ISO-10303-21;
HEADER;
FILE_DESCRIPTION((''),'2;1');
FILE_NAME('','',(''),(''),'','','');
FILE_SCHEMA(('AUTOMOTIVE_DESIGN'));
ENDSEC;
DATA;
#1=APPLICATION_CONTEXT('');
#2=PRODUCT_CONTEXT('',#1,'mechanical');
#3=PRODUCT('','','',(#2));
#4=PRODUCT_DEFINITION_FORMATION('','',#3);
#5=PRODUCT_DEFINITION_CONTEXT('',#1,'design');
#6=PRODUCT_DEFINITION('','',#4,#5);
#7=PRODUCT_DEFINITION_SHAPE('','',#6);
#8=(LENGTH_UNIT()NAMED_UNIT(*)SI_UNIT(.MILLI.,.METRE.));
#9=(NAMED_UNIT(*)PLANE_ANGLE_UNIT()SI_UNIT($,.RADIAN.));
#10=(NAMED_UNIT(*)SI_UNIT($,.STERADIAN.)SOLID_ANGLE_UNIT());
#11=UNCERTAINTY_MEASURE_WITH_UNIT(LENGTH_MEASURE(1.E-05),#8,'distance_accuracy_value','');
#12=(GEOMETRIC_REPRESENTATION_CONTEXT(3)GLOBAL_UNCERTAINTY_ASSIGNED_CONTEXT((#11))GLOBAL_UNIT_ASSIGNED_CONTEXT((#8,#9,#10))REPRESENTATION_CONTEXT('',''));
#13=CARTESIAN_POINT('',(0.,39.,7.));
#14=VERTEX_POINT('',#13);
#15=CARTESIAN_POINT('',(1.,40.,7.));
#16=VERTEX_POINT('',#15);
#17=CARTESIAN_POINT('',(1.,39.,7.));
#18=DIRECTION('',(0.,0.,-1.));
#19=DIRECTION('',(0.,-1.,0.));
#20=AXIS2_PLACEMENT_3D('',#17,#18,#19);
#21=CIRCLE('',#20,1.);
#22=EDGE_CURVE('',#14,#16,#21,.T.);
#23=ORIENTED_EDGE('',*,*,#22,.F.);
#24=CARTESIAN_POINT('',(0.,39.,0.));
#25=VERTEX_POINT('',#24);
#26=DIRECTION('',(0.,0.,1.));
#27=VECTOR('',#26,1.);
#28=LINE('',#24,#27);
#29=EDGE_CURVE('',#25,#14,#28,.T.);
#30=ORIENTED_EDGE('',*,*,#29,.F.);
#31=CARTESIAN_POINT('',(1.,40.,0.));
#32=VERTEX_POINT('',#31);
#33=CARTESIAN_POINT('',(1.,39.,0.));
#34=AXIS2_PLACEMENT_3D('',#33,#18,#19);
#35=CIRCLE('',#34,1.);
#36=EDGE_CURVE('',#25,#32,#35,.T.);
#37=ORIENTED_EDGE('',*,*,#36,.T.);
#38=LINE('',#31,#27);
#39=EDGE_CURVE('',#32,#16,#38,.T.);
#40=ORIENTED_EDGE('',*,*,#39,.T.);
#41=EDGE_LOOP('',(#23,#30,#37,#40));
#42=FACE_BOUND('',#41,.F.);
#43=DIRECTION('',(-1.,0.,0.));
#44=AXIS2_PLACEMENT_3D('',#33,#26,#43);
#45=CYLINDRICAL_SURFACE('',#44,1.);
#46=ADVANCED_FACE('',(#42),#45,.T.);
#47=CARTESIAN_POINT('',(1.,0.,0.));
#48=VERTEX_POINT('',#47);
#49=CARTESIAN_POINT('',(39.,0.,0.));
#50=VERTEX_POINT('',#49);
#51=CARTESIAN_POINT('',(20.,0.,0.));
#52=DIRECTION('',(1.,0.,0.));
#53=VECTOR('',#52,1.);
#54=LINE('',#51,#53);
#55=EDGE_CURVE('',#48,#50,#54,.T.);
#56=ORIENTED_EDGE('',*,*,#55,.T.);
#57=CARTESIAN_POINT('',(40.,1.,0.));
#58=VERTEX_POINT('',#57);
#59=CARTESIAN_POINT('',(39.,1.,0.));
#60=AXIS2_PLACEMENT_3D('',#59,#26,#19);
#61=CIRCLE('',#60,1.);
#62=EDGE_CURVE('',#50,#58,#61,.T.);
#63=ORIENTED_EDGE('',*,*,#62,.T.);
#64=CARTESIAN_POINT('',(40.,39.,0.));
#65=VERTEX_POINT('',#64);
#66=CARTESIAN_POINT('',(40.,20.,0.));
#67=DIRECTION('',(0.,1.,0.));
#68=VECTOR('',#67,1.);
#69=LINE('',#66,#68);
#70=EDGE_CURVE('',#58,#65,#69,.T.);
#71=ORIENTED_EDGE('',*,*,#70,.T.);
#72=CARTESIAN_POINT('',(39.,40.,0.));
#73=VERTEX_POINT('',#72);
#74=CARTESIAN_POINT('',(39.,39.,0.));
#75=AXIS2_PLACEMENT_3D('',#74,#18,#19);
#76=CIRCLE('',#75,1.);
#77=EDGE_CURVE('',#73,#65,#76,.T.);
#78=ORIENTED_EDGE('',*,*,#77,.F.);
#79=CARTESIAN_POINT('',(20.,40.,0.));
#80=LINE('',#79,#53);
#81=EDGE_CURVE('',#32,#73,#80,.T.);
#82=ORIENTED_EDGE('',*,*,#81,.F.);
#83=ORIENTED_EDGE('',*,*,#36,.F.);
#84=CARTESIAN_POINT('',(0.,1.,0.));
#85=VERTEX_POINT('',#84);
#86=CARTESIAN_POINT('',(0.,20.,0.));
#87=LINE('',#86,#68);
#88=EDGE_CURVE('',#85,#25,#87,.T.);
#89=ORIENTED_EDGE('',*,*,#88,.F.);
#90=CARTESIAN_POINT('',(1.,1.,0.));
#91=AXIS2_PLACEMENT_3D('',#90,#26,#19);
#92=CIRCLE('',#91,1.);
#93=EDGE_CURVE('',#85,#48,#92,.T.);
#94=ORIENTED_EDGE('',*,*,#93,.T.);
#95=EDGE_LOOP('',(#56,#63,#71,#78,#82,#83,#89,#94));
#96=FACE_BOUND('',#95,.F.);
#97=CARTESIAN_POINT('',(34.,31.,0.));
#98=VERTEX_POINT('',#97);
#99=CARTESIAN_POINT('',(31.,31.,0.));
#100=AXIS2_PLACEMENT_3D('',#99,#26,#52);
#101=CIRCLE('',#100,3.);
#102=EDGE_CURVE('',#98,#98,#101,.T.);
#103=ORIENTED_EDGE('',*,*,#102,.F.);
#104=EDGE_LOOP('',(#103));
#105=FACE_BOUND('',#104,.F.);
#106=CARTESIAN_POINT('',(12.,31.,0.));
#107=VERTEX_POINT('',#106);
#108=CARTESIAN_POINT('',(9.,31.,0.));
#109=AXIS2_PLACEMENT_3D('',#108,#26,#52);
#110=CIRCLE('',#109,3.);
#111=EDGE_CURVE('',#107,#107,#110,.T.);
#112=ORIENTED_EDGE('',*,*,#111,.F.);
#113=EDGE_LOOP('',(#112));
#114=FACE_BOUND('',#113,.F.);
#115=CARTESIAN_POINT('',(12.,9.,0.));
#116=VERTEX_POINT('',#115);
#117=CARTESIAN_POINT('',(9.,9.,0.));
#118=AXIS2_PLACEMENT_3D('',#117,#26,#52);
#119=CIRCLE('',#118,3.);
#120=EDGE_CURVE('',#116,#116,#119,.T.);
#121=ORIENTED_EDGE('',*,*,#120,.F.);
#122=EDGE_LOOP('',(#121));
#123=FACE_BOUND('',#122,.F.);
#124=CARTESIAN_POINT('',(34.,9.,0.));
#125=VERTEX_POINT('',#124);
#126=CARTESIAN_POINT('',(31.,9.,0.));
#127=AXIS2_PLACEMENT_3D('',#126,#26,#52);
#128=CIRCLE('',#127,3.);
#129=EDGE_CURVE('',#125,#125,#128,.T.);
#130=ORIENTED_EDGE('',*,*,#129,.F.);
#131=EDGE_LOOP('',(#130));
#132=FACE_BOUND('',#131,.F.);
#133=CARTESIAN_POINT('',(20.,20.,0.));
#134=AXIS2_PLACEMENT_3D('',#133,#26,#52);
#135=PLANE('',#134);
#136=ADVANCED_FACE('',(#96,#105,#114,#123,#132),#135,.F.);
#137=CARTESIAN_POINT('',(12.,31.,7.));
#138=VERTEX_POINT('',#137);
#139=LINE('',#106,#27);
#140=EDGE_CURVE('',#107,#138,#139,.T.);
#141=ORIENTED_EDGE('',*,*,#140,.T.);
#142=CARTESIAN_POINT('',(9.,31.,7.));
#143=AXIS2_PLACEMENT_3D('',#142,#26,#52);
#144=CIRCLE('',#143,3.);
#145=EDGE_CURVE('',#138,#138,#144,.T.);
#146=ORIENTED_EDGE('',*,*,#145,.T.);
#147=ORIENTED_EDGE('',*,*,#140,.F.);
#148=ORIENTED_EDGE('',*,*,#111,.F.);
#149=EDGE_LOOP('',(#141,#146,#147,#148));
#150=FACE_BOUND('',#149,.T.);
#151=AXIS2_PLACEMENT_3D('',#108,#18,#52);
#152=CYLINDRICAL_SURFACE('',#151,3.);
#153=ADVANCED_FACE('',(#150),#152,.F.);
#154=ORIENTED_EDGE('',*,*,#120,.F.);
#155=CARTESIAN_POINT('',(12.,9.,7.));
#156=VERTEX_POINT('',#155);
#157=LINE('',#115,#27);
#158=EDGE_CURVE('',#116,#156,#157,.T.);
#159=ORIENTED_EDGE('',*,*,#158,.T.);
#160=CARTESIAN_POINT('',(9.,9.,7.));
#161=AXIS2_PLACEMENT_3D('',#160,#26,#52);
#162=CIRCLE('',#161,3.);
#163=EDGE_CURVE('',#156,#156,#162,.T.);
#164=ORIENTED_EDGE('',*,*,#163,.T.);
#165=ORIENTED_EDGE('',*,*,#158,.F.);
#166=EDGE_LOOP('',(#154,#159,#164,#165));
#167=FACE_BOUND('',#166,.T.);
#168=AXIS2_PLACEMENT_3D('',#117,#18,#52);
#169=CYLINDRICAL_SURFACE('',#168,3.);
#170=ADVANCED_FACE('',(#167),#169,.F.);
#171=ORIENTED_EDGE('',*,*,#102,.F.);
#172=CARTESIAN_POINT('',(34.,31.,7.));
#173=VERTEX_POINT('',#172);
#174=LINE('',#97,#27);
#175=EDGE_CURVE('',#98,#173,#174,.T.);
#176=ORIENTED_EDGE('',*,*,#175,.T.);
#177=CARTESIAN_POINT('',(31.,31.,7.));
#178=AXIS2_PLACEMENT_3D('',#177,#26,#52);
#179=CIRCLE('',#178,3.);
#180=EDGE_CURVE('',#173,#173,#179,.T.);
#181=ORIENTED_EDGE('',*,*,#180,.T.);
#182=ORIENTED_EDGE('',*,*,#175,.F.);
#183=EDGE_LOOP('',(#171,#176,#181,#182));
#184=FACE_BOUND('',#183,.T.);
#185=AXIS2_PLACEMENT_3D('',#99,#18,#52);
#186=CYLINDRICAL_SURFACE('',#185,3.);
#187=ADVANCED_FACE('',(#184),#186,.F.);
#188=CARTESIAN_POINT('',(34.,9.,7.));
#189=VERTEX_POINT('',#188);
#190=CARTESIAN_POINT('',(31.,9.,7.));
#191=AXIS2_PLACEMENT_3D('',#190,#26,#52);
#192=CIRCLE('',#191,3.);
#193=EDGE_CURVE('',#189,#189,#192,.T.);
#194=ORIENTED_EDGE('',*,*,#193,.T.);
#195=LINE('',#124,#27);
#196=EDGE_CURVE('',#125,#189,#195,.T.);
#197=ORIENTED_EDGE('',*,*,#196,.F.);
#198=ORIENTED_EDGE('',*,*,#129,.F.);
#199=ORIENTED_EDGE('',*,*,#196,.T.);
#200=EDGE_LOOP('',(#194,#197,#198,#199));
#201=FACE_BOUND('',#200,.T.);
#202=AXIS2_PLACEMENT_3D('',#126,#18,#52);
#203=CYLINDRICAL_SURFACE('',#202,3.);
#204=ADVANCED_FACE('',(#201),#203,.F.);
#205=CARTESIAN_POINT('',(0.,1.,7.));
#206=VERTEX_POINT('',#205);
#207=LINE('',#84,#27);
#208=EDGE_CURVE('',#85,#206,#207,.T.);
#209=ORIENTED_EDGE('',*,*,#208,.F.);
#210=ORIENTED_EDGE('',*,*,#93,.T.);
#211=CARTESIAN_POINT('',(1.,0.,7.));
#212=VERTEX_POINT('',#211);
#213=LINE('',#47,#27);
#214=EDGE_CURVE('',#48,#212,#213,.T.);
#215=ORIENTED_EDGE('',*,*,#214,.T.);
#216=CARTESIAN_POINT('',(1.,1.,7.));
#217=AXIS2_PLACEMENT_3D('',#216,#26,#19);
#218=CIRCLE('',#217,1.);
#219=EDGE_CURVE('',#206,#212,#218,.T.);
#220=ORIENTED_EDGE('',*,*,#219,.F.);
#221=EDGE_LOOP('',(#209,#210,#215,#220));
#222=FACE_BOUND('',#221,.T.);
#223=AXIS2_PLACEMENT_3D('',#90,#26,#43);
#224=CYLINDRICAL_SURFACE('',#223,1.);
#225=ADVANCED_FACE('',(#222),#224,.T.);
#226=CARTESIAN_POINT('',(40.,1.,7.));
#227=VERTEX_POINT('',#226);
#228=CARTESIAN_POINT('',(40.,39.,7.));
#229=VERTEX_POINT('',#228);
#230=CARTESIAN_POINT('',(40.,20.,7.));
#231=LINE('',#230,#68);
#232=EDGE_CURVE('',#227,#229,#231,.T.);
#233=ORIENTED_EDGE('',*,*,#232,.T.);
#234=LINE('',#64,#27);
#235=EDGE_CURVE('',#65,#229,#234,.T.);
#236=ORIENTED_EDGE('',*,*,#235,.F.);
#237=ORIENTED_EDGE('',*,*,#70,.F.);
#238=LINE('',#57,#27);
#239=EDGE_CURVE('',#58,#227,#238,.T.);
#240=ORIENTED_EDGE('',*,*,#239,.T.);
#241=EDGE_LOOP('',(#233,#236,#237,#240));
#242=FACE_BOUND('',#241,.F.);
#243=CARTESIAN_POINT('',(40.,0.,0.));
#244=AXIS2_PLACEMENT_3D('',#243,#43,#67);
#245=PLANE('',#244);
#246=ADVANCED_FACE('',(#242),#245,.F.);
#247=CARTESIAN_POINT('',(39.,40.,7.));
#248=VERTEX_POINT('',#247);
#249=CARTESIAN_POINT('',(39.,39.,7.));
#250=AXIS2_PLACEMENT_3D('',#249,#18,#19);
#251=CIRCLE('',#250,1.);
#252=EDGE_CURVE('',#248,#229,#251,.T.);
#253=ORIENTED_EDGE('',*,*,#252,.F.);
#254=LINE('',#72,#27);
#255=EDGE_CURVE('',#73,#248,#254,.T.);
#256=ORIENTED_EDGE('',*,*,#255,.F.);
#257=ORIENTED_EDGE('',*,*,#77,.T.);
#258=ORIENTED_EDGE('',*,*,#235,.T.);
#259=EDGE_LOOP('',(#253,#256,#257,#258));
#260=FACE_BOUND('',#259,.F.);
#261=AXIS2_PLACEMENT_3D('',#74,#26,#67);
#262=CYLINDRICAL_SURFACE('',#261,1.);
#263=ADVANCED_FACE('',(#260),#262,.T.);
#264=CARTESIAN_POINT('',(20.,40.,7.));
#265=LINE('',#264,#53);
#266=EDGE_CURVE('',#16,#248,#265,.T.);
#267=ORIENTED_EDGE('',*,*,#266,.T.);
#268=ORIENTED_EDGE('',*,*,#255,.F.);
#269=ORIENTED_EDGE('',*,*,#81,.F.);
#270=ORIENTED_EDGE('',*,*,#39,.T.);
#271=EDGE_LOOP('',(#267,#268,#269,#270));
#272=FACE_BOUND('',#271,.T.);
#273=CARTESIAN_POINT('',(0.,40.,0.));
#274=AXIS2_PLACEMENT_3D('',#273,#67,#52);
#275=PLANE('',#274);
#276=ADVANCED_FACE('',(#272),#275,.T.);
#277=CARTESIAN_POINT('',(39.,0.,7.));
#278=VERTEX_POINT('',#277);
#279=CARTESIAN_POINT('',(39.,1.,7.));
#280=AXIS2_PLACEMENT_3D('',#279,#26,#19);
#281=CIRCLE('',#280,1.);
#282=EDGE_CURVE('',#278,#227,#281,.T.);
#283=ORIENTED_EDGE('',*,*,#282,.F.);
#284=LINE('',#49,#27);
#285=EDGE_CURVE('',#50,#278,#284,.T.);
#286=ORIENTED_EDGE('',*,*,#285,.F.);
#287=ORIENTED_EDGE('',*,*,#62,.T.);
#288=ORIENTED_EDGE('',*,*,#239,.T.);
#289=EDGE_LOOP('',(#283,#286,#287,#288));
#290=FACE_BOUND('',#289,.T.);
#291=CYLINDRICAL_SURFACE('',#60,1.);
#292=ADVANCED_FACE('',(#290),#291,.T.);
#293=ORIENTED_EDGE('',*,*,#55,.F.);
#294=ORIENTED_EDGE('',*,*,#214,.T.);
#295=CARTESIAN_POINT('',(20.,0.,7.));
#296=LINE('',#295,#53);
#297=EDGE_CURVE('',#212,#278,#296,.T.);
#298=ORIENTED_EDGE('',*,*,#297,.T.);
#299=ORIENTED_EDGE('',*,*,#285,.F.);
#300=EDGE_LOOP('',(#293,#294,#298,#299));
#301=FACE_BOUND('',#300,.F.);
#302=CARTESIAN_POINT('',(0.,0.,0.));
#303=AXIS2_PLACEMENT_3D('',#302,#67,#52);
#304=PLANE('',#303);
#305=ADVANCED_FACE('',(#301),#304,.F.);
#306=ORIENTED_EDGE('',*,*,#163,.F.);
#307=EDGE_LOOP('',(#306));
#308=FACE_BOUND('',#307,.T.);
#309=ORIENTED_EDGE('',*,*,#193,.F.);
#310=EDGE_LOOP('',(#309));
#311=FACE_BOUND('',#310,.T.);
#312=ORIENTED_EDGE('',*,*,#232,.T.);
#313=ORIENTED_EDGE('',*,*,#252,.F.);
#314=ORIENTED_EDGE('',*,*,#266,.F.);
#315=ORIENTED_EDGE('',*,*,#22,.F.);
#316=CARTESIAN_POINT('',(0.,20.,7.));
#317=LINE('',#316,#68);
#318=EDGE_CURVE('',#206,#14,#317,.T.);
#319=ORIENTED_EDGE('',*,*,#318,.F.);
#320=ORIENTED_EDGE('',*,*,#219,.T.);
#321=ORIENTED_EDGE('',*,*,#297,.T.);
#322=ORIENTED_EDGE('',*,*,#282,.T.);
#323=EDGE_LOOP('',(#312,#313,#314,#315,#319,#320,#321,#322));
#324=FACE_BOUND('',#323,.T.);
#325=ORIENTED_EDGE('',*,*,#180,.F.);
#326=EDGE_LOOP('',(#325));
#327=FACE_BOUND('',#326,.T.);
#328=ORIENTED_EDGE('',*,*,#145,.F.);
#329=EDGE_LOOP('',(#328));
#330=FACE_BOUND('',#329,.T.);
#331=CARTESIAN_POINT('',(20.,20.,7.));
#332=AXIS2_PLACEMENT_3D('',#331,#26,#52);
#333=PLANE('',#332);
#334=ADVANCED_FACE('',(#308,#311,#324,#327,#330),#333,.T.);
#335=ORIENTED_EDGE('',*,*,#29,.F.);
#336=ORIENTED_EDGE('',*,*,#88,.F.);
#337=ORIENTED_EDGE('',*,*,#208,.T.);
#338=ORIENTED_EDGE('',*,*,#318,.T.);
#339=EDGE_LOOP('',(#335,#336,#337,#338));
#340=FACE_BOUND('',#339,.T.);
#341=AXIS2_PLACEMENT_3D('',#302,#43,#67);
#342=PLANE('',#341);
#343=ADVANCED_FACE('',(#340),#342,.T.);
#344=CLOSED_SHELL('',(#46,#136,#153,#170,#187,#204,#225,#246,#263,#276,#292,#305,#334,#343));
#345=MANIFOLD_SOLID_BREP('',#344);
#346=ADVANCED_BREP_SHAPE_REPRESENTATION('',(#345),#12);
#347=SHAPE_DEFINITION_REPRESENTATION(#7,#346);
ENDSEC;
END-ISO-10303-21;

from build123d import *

# Parameters (mm, degrees)
F0_W     = 40
F0_H     = 40
F0_R     = 3
F1_DEPTH = 7
F2_R     = 1


with BuildPart() as f1:
    # F0 (on Top) → F1 (new body)
    with BuildSketch(Plane.XY):
        with Locations((20, 20)):
            Rectangle(F0_W, F0_H)
        with Locations((9, 9)):
            Circle(F0_R, mode=Mode.SUBTRACT)
        with Locations((31, 9)):
            Circle(F0_R, mode=Mode.SUBTRACT)
        with Locations((9, 31)):
            Circle(F0_R, mode=Mode.SUBTRACT)
        with Locations((31, 31)):
            Circle(F0_R, mode=Mode.SUBTRACT)
    extrude(amount=F1_DEPTH)

    # F2
    f2_edges = [f1.edges().sort_by_distance(p)[0] for p in [
        (40, 0, 3.5),
        (40, 40, 3.5),
        (0, 0, 3.5),
        (0, 40, 3.5),
    ]]
    fillet(f2_edges, radius=F2_R)


solid = f1.part
